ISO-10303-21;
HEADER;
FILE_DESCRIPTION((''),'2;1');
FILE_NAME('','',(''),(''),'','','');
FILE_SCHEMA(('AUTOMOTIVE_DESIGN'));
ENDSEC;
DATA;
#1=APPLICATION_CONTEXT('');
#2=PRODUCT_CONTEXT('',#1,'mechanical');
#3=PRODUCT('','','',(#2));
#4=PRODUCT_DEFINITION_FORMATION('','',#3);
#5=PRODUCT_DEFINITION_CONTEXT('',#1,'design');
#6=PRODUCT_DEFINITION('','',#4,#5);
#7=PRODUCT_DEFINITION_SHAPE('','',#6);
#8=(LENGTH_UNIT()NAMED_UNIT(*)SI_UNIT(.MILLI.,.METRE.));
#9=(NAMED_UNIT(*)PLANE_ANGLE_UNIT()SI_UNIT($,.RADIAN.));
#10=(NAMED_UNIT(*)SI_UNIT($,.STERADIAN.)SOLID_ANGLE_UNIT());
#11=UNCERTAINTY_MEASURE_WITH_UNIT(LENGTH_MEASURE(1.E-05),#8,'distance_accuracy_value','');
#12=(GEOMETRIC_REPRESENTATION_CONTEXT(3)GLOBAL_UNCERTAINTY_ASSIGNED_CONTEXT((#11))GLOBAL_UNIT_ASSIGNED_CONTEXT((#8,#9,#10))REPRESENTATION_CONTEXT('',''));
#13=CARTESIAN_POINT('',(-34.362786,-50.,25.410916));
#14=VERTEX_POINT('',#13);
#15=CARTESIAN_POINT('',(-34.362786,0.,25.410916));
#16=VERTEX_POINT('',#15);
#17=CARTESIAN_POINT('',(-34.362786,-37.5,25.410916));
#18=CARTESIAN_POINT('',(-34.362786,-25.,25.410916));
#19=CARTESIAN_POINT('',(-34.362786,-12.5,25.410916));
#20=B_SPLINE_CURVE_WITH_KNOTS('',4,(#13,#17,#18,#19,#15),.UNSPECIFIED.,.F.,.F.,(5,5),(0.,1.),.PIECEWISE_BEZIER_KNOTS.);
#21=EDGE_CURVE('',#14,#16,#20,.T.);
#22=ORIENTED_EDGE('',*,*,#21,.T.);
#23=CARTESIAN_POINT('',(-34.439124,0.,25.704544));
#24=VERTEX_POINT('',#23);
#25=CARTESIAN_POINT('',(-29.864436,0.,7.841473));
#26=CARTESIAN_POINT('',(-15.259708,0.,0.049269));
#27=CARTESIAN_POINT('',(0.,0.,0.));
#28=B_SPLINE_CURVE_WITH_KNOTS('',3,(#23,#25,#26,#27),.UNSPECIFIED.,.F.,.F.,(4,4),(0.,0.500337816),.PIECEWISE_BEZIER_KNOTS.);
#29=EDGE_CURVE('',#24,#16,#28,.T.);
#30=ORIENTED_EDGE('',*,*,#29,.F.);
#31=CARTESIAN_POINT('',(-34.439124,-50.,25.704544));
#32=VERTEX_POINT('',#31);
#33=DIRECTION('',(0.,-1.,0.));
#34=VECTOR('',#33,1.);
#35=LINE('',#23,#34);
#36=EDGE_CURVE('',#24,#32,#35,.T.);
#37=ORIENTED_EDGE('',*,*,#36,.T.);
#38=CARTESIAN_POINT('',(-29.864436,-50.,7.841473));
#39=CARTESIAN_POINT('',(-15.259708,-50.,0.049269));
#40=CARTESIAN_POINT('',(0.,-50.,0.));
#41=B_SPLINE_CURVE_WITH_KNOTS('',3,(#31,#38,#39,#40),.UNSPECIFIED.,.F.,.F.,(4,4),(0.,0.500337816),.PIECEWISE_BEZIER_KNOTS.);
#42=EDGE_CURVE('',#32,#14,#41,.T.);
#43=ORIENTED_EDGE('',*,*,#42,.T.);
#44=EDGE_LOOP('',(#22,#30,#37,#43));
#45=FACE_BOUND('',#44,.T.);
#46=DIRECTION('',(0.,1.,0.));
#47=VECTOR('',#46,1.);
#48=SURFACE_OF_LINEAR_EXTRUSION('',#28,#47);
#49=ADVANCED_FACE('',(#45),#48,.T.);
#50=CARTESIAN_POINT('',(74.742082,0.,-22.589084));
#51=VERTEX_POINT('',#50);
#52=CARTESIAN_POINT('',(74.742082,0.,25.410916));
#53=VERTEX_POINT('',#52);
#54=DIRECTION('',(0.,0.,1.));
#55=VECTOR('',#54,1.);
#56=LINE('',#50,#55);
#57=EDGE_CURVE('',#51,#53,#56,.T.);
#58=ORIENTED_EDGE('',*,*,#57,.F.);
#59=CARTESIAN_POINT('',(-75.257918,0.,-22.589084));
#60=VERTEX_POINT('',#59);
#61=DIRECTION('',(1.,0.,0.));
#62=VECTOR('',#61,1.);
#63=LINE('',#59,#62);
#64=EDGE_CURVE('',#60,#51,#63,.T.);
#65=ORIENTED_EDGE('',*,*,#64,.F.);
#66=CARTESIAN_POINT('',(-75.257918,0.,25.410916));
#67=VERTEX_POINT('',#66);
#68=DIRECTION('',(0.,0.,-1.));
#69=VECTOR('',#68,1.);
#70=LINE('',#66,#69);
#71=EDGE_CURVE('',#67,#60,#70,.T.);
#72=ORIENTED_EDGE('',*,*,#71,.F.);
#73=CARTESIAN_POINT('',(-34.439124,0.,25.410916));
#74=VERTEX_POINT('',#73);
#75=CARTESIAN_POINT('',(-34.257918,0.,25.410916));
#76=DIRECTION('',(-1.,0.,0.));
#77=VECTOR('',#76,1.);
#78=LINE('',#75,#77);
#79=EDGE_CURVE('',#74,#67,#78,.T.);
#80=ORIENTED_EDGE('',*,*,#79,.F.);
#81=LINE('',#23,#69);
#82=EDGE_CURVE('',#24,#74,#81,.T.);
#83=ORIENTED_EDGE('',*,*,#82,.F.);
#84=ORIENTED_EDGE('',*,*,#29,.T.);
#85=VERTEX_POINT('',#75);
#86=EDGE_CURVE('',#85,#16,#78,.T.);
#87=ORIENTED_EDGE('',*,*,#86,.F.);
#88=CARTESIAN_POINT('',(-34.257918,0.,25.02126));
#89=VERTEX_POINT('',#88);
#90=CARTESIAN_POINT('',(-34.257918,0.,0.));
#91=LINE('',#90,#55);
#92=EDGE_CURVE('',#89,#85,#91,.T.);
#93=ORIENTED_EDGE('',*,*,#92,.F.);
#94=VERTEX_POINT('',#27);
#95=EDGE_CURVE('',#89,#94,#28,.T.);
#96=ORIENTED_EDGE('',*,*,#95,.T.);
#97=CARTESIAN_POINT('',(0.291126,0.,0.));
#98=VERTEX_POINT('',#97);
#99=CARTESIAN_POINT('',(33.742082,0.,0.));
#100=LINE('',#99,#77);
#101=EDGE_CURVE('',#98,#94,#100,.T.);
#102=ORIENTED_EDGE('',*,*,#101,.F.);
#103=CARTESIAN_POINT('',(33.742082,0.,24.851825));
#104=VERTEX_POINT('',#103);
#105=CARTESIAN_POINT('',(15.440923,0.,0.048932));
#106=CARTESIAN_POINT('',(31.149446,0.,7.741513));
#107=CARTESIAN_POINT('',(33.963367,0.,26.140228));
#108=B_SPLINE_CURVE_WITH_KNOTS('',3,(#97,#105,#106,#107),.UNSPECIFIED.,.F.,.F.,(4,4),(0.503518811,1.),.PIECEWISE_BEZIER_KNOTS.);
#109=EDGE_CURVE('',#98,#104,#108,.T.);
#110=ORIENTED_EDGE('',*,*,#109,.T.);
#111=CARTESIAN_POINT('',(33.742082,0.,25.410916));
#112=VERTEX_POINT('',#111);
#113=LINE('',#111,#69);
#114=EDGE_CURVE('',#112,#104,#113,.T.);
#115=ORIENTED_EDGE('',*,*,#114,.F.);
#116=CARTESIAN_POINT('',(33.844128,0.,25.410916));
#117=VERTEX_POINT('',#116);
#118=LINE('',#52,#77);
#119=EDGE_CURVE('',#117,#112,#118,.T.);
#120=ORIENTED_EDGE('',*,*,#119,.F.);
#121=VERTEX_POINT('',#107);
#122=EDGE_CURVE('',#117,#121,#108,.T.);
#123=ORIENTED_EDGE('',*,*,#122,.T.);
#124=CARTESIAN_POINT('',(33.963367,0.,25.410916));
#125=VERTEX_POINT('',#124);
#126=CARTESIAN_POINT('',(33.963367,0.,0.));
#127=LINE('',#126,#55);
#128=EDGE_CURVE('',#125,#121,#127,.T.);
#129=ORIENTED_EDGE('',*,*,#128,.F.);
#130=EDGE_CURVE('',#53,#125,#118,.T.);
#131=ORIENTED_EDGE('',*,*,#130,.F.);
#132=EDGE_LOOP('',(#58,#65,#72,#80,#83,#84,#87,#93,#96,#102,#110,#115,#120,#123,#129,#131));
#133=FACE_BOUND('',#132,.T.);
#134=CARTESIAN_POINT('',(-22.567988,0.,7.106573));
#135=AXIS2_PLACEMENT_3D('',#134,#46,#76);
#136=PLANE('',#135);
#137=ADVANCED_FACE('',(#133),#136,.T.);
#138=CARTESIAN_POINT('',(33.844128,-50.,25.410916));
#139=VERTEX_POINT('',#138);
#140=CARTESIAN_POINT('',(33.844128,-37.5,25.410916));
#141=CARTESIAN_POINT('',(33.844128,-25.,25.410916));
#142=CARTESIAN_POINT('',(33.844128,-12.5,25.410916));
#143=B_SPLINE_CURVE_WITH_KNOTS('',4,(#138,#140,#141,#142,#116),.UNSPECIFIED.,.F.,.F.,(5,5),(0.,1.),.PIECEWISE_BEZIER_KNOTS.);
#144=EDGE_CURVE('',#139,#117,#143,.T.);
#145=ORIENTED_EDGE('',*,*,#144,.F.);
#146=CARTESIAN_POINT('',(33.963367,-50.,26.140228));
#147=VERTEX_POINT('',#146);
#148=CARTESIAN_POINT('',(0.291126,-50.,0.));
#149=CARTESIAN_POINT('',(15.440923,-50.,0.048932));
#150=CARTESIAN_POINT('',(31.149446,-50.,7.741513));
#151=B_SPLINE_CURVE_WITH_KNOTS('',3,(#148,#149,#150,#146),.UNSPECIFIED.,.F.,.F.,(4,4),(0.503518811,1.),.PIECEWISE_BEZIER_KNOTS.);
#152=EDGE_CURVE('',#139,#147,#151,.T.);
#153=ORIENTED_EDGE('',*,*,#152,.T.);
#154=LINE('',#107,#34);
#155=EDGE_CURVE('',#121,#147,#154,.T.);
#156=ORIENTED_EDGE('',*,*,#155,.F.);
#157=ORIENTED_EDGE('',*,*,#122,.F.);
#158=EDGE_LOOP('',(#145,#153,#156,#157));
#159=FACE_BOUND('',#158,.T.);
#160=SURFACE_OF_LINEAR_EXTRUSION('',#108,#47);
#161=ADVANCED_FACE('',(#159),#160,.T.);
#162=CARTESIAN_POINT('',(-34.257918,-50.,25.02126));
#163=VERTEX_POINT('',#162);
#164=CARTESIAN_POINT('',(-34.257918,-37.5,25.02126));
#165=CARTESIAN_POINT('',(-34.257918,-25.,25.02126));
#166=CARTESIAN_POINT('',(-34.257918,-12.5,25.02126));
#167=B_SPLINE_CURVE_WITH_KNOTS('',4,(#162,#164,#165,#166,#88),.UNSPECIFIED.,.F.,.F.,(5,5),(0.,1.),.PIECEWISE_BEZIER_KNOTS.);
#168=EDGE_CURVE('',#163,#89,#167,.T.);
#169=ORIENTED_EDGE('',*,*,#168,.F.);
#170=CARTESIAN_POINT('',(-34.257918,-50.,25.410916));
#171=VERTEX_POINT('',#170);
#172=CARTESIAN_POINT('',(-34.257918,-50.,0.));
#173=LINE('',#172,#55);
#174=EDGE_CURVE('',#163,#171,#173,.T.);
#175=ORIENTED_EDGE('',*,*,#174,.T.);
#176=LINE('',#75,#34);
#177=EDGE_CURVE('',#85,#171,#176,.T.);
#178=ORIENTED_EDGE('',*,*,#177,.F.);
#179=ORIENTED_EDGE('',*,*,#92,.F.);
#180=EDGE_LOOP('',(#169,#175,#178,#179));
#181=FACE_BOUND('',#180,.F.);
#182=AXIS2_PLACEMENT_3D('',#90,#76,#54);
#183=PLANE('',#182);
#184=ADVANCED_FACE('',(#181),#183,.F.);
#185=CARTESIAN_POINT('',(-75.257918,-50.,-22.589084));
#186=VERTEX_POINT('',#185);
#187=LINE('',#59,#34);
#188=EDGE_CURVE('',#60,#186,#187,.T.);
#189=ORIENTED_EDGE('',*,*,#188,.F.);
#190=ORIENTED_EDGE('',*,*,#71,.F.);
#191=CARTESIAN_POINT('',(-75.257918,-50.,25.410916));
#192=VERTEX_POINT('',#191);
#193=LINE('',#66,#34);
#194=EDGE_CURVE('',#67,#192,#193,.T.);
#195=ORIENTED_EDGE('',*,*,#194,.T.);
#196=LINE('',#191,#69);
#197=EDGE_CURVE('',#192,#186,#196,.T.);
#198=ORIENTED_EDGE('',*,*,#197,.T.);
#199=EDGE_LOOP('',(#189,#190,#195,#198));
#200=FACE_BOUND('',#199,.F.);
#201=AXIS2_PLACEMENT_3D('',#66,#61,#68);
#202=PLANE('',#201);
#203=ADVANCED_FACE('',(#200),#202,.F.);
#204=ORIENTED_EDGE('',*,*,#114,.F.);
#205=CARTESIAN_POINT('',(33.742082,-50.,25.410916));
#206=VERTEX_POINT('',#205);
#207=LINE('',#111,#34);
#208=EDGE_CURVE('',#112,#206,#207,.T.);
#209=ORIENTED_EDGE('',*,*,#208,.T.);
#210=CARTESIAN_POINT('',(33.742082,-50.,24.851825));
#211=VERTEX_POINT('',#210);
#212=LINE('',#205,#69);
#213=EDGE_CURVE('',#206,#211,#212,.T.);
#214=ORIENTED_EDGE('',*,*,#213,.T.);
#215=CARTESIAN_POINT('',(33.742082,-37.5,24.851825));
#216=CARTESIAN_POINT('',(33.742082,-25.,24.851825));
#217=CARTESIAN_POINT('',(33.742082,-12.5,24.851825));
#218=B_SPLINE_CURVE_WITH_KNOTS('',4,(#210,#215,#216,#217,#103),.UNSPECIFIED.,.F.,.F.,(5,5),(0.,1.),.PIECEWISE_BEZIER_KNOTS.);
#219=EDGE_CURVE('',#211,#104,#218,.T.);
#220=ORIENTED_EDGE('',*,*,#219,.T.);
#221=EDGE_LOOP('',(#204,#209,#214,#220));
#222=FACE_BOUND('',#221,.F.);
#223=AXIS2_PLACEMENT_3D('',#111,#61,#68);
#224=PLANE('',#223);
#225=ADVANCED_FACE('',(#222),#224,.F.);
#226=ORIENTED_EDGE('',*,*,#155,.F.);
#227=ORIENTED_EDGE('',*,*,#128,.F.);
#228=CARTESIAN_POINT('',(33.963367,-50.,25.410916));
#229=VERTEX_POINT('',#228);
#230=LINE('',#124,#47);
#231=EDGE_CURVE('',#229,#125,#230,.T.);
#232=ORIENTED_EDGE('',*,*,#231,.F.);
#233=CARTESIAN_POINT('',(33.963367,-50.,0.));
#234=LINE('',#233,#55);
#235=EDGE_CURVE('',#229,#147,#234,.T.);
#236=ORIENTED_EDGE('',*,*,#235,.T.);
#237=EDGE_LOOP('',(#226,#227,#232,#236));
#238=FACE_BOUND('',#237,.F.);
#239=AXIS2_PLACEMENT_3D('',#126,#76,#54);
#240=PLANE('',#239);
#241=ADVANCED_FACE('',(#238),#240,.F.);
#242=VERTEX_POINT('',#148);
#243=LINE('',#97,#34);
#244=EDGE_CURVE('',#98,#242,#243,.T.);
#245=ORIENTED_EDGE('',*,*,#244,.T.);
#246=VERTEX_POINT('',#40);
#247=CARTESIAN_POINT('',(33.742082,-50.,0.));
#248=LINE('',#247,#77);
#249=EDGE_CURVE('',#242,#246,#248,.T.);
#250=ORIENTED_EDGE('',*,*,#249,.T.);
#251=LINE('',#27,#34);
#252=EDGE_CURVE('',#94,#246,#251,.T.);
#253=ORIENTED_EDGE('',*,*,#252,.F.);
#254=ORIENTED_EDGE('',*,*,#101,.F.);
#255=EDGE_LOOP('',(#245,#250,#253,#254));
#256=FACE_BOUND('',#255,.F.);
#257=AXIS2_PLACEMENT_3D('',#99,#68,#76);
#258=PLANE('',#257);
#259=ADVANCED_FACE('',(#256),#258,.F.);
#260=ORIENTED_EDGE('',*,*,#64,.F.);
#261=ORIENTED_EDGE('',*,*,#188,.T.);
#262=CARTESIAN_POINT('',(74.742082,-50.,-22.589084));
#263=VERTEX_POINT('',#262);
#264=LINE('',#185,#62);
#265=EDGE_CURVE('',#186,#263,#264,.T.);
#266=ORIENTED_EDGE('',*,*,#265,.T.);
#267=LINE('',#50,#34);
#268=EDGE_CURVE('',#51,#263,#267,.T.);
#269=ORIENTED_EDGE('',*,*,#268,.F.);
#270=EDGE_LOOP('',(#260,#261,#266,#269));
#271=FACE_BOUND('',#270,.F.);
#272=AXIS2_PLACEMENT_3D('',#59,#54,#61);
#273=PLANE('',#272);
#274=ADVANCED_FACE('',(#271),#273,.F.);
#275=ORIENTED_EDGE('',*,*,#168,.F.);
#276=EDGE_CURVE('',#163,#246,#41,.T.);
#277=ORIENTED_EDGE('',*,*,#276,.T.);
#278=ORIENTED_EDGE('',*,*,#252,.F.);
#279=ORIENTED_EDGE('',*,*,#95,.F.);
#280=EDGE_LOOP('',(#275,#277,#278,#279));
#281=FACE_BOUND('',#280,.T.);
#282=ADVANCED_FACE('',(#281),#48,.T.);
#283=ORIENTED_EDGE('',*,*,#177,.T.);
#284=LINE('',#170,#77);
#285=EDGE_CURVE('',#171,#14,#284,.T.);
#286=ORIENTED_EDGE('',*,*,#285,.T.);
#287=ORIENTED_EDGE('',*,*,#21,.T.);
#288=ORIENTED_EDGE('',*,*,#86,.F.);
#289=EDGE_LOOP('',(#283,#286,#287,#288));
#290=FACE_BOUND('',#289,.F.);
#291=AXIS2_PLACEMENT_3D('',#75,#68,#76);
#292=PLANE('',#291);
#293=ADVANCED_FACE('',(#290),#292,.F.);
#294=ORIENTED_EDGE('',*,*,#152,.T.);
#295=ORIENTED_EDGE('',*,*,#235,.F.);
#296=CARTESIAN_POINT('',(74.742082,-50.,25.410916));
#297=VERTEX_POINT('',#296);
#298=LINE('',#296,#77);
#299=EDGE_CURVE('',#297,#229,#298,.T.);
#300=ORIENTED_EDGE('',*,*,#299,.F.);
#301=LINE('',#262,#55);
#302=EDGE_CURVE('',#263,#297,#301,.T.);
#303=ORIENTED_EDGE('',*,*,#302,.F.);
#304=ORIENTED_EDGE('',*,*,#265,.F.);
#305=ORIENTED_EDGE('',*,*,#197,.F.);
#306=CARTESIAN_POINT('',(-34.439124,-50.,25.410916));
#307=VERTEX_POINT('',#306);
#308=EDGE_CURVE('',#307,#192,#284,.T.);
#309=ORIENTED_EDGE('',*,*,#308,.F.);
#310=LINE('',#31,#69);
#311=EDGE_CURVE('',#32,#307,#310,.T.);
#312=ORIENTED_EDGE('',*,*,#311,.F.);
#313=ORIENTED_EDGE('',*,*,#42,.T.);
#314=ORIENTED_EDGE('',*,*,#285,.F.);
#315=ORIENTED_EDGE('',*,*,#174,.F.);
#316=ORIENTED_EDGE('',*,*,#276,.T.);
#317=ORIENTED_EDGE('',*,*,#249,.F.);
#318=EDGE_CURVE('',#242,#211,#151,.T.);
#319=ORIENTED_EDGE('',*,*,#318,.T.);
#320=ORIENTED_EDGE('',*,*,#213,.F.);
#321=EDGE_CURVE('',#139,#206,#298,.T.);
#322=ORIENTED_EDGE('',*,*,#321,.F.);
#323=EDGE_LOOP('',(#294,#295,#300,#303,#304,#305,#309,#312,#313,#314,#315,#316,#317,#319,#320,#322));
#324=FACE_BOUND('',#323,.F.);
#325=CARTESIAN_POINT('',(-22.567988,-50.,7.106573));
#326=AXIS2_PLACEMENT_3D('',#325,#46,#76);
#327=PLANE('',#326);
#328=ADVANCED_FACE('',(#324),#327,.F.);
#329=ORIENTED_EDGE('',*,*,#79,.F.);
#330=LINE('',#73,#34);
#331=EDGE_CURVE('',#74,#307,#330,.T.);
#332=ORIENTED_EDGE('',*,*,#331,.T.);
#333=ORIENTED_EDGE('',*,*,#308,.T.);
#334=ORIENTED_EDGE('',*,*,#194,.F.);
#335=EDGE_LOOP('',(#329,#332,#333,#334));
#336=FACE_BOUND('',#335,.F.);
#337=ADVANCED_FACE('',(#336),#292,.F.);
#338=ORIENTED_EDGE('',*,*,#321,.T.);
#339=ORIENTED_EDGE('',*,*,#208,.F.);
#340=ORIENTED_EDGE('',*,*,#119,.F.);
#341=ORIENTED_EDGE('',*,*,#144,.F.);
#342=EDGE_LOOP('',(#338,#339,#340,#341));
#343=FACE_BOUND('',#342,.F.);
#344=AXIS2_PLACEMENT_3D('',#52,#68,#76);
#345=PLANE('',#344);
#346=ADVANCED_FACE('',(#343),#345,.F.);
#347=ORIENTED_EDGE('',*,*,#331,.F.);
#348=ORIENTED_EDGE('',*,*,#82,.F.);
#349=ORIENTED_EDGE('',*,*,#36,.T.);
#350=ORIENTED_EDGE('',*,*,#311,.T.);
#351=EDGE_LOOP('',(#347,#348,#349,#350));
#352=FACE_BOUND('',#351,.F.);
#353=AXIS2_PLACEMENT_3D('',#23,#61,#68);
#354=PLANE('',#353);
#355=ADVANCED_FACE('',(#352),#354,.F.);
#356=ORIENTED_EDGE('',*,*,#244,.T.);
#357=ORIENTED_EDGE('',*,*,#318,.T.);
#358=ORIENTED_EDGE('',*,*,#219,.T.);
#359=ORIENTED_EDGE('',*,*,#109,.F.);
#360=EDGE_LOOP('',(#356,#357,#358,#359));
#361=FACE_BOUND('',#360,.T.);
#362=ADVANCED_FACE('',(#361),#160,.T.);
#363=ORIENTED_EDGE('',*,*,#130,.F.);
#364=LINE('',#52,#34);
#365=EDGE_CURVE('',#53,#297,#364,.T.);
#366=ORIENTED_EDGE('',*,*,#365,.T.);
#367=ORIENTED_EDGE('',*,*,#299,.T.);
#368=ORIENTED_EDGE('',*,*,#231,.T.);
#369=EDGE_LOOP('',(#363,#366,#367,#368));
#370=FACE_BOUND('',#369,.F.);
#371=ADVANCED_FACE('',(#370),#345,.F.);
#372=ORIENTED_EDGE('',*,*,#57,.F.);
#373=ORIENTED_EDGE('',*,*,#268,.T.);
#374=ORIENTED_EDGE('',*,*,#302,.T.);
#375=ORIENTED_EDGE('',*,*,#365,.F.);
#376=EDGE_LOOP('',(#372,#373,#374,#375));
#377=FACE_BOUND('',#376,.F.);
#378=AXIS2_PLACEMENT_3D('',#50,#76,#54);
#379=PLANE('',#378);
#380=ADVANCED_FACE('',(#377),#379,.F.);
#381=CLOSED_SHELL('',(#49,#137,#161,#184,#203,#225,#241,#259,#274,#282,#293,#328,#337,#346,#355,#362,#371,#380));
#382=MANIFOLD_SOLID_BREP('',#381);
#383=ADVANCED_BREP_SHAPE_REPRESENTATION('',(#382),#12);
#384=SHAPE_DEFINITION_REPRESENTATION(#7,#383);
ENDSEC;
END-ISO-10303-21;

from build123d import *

# Parameters (mm, degrees)
F1_DEPTH = 50
F3_DEPTH = 50


with BuildPart() as f1:
    # F0 (on Front) → F1 (new body)
    with BuildSketch(Plane.XZ):
        Polygon((-34.2579181991, 25.4109162267), (-75.2579181991, 25.4109162267), (-75.2579181991, -22.5890837733), (74.7420818009, -22.5890837733), (74.7420818009, 25.4109162267), (33.7420818009, 25.4109162267), (33.7420818009, 0), (-34.2579181991, 0), align=None)
    extrude(amount=F1_DEPTH)

    # F2 (on Front) → F3 (join)
    with BuildSketch(Plane.XZ):
        with BuildLine():
            add(Edge.make_bspline(
                [(-34.439124167, 25.7045440376), (-29.8644360155, 7.841472514), (-15.2597080741, 0.0492694303), (0, 0)],
                knots=[0, 0, 0, 0, 0.5003378165, 0.5003378165, 0.5003378165, 0.5003378165], degree=3))
            Line((-34.439124167, 25.7045440376), (-34.439124167, 0))
            Line((-34.439124167, 0), (0, 0))
        make_face()
        with BuildLine():
            add(Edge.make_bspline(
                [(0.2911255263, 0), (15.4409229129, 0.0489315649), (31.1494455799, 7.7415126091), (33.9633673429, 26.1402279139)],
                knots=[0.503518811, 0.503518811, 0.503518811, 0.503518811, 1, 1, 1, 1], degree=3))
            Line((0.2911255263, 0), (33.9633673429, 0))
            Line((33.9633673429, 0), (33.9633673429, 26.1402279139))
        make_face()
        with BuildLine():
            Line((0.2911255263, 0), (0, 0))
            add(Edge.make_bspline(
                [(0, 0), (0.0970165471, -0.0003132399), (0.1940595687, -0.0003135084), (0.2911255263, 0)],
                knots=[0.5003378165, 0.5003378165, 0.5003378165, 0.5003378165, 0.503518811, 0.503518811, 0.503518811, 0.503518811], degree=3))
        make_face()
    extrude(amount=F3_DEPTH)


solid = f1.part
